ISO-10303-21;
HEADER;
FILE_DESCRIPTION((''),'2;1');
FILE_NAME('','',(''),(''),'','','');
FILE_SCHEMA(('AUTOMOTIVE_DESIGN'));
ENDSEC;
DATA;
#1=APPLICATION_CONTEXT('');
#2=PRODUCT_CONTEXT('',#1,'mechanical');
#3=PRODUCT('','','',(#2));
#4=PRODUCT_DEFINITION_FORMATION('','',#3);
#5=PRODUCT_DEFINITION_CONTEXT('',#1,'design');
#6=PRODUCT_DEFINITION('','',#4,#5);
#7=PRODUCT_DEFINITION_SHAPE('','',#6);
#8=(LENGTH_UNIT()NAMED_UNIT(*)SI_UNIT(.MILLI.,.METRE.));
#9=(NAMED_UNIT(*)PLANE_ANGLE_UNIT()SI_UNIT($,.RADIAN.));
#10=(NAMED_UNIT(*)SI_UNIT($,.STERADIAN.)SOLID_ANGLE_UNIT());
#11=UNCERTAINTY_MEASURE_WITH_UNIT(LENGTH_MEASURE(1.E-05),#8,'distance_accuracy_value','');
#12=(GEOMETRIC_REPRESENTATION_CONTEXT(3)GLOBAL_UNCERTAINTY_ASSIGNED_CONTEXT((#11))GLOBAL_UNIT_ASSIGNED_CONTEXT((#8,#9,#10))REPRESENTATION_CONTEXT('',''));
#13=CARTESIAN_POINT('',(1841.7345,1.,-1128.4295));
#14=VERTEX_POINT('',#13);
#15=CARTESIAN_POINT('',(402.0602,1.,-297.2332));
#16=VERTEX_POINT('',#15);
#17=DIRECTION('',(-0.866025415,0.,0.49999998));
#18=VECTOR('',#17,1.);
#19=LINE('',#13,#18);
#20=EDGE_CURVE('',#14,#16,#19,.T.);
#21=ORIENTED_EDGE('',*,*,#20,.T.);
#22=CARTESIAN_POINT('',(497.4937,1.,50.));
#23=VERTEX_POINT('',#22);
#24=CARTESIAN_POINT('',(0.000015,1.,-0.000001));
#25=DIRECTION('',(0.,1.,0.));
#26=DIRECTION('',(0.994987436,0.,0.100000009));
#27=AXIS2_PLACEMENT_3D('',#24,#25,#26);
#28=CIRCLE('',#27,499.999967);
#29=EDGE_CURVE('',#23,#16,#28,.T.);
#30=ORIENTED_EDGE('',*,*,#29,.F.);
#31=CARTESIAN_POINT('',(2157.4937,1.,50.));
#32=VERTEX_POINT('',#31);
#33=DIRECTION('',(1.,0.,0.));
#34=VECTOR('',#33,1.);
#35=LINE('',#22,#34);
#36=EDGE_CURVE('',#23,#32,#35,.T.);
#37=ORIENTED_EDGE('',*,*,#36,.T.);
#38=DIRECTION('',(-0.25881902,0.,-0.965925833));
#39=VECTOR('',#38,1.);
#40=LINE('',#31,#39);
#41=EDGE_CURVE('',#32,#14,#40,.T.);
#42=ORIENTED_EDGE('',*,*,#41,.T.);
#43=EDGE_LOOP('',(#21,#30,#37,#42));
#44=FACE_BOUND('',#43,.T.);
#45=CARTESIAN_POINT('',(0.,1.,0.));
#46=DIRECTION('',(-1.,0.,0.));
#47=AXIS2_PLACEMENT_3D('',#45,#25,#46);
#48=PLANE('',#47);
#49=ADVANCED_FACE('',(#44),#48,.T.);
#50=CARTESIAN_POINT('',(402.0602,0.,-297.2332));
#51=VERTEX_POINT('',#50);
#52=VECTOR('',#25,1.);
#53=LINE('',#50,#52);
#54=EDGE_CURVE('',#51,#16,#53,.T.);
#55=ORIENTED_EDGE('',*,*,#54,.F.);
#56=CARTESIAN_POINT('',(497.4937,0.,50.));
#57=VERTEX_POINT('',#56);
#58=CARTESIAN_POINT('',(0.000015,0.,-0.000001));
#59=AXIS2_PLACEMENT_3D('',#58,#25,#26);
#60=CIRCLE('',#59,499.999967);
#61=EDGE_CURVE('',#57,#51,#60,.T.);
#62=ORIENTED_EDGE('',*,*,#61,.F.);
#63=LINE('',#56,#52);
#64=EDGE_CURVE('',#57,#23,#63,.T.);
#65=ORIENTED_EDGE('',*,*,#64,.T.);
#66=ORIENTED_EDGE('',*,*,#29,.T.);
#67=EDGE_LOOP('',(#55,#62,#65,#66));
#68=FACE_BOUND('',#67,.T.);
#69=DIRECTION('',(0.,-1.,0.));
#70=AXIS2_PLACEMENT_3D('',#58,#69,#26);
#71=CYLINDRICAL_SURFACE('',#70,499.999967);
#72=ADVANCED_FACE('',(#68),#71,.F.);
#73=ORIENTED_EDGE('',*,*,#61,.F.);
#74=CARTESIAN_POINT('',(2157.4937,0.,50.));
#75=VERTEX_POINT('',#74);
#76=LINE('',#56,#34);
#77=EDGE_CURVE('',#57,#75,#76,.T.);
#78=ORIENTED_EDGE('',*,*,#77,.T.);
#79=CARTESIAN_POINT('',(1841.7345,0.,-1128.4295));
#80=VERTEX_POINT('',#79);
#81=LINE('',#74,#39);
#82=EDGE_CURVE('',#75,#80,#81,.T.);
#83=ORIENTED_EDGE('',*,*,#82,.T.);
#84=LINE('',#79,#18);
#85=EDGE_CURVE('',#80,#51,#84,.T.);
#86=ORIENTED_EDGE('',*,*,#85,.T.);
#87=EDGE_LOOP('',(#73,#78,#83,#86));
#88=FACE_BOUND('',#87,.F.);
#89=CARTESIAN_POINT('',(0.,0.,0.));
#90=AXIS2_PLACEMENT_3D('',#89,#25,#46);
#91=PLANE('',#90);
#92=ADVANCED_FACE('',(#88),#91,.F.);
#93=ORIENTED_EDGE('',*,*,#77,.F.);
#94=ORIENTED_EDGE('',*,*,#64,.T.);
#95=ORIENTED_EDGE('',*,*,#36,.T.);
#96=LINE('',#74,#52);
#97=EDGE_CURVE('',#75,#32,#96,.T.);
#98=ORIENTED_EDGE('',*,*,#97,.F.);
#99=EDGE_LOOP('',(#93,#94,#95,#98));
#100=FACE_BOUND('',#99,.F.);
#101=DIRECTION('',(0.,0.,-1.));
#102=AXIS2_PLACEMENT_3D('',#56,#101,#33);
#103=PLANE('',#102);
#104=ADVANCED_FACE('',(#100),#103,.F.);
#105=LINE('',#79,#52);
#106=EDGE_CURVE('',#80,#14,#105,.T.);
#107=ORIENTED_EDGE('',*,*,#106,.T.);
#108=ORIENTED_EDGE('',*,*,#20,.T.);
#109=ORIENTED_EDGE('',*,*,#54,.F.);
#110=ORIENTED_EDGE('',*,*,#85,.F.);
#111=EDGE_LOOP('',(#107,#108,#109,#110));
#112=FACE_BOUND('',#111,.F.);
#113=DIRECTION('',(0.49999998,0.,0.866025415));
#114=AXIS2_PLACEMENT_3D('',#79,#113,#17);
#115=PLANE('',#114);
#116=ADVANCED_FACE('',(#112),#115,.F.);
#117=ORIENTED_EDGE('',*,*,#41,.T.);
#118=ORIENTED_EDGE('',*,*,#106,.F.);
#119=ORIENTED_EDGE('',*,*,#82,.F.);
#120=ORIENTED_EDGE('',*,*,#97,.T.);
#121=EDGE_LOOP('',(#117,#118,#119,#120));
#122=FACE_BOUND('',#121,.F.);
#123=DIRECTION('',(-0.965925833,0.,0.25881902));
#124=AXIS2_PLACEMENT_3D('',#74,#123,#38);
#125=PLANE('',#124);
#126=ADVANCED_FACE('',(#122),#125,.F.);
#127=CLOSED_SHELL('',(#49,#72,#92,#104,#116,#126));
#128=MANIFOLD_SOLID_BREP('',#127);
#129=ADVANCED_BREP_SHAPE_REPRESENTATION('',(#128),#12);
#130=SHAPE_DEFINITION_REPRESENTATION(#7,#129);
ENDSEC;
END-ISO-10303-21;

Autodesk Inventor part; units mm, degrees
ref_plane "YZ Plane" through (0, 0, 0) normal (1, 0, 0) x (0, 1, 0)
ref_plane "XZ Plane" through (0, 0, 0) normal (0, 1, 0) x (-1, 0, 0)
ref_plane "XY Plane" through (0, 0, 0) normal (0, 0, 1) x (1, 0, 0)
sketch "Sketch1" plane through (0, 0, 0) normal (0, 1, 0) x (-1, 0, 0)
  line L0 (0, 0) -> (-3000, 0) construction
  line L1 (0, 0) -> (-2598.0762, -1500) construction
  line L2 (0, 0) -> (3000, 0) construction
  arc A0 (-497.4937, 50) -> (-402.0602, -297.2332) centre (0, 0) ccw
  line L3 (-497.4937, 50) -> (-2157.4937, 50)
  line L4 (-2157.4937, 50) -> (-1841.7345, -1128.4295)
  line L5 (-2157.4937, 50) -> (-937.4937, 50) construction
  line L6 (-1841.7345, -1128.4295) -> (1158.2655, -1128.4295) construction
  line L7 (-1841.7345, -1128.4295) -> (-402.0602, -297.2332)
  dimension "d1" = 3000
  dimension "d2" = 150
  dimension "d3" = 1000
  dimension "d11" = 50
  dimension "d12" = 1660
  dimension "d13" = 1220
  dimension "d14" = 75
extrude "Extrusion1" add sketch "Sketch1" along normal blind 1
properties part number "panelAflat"
